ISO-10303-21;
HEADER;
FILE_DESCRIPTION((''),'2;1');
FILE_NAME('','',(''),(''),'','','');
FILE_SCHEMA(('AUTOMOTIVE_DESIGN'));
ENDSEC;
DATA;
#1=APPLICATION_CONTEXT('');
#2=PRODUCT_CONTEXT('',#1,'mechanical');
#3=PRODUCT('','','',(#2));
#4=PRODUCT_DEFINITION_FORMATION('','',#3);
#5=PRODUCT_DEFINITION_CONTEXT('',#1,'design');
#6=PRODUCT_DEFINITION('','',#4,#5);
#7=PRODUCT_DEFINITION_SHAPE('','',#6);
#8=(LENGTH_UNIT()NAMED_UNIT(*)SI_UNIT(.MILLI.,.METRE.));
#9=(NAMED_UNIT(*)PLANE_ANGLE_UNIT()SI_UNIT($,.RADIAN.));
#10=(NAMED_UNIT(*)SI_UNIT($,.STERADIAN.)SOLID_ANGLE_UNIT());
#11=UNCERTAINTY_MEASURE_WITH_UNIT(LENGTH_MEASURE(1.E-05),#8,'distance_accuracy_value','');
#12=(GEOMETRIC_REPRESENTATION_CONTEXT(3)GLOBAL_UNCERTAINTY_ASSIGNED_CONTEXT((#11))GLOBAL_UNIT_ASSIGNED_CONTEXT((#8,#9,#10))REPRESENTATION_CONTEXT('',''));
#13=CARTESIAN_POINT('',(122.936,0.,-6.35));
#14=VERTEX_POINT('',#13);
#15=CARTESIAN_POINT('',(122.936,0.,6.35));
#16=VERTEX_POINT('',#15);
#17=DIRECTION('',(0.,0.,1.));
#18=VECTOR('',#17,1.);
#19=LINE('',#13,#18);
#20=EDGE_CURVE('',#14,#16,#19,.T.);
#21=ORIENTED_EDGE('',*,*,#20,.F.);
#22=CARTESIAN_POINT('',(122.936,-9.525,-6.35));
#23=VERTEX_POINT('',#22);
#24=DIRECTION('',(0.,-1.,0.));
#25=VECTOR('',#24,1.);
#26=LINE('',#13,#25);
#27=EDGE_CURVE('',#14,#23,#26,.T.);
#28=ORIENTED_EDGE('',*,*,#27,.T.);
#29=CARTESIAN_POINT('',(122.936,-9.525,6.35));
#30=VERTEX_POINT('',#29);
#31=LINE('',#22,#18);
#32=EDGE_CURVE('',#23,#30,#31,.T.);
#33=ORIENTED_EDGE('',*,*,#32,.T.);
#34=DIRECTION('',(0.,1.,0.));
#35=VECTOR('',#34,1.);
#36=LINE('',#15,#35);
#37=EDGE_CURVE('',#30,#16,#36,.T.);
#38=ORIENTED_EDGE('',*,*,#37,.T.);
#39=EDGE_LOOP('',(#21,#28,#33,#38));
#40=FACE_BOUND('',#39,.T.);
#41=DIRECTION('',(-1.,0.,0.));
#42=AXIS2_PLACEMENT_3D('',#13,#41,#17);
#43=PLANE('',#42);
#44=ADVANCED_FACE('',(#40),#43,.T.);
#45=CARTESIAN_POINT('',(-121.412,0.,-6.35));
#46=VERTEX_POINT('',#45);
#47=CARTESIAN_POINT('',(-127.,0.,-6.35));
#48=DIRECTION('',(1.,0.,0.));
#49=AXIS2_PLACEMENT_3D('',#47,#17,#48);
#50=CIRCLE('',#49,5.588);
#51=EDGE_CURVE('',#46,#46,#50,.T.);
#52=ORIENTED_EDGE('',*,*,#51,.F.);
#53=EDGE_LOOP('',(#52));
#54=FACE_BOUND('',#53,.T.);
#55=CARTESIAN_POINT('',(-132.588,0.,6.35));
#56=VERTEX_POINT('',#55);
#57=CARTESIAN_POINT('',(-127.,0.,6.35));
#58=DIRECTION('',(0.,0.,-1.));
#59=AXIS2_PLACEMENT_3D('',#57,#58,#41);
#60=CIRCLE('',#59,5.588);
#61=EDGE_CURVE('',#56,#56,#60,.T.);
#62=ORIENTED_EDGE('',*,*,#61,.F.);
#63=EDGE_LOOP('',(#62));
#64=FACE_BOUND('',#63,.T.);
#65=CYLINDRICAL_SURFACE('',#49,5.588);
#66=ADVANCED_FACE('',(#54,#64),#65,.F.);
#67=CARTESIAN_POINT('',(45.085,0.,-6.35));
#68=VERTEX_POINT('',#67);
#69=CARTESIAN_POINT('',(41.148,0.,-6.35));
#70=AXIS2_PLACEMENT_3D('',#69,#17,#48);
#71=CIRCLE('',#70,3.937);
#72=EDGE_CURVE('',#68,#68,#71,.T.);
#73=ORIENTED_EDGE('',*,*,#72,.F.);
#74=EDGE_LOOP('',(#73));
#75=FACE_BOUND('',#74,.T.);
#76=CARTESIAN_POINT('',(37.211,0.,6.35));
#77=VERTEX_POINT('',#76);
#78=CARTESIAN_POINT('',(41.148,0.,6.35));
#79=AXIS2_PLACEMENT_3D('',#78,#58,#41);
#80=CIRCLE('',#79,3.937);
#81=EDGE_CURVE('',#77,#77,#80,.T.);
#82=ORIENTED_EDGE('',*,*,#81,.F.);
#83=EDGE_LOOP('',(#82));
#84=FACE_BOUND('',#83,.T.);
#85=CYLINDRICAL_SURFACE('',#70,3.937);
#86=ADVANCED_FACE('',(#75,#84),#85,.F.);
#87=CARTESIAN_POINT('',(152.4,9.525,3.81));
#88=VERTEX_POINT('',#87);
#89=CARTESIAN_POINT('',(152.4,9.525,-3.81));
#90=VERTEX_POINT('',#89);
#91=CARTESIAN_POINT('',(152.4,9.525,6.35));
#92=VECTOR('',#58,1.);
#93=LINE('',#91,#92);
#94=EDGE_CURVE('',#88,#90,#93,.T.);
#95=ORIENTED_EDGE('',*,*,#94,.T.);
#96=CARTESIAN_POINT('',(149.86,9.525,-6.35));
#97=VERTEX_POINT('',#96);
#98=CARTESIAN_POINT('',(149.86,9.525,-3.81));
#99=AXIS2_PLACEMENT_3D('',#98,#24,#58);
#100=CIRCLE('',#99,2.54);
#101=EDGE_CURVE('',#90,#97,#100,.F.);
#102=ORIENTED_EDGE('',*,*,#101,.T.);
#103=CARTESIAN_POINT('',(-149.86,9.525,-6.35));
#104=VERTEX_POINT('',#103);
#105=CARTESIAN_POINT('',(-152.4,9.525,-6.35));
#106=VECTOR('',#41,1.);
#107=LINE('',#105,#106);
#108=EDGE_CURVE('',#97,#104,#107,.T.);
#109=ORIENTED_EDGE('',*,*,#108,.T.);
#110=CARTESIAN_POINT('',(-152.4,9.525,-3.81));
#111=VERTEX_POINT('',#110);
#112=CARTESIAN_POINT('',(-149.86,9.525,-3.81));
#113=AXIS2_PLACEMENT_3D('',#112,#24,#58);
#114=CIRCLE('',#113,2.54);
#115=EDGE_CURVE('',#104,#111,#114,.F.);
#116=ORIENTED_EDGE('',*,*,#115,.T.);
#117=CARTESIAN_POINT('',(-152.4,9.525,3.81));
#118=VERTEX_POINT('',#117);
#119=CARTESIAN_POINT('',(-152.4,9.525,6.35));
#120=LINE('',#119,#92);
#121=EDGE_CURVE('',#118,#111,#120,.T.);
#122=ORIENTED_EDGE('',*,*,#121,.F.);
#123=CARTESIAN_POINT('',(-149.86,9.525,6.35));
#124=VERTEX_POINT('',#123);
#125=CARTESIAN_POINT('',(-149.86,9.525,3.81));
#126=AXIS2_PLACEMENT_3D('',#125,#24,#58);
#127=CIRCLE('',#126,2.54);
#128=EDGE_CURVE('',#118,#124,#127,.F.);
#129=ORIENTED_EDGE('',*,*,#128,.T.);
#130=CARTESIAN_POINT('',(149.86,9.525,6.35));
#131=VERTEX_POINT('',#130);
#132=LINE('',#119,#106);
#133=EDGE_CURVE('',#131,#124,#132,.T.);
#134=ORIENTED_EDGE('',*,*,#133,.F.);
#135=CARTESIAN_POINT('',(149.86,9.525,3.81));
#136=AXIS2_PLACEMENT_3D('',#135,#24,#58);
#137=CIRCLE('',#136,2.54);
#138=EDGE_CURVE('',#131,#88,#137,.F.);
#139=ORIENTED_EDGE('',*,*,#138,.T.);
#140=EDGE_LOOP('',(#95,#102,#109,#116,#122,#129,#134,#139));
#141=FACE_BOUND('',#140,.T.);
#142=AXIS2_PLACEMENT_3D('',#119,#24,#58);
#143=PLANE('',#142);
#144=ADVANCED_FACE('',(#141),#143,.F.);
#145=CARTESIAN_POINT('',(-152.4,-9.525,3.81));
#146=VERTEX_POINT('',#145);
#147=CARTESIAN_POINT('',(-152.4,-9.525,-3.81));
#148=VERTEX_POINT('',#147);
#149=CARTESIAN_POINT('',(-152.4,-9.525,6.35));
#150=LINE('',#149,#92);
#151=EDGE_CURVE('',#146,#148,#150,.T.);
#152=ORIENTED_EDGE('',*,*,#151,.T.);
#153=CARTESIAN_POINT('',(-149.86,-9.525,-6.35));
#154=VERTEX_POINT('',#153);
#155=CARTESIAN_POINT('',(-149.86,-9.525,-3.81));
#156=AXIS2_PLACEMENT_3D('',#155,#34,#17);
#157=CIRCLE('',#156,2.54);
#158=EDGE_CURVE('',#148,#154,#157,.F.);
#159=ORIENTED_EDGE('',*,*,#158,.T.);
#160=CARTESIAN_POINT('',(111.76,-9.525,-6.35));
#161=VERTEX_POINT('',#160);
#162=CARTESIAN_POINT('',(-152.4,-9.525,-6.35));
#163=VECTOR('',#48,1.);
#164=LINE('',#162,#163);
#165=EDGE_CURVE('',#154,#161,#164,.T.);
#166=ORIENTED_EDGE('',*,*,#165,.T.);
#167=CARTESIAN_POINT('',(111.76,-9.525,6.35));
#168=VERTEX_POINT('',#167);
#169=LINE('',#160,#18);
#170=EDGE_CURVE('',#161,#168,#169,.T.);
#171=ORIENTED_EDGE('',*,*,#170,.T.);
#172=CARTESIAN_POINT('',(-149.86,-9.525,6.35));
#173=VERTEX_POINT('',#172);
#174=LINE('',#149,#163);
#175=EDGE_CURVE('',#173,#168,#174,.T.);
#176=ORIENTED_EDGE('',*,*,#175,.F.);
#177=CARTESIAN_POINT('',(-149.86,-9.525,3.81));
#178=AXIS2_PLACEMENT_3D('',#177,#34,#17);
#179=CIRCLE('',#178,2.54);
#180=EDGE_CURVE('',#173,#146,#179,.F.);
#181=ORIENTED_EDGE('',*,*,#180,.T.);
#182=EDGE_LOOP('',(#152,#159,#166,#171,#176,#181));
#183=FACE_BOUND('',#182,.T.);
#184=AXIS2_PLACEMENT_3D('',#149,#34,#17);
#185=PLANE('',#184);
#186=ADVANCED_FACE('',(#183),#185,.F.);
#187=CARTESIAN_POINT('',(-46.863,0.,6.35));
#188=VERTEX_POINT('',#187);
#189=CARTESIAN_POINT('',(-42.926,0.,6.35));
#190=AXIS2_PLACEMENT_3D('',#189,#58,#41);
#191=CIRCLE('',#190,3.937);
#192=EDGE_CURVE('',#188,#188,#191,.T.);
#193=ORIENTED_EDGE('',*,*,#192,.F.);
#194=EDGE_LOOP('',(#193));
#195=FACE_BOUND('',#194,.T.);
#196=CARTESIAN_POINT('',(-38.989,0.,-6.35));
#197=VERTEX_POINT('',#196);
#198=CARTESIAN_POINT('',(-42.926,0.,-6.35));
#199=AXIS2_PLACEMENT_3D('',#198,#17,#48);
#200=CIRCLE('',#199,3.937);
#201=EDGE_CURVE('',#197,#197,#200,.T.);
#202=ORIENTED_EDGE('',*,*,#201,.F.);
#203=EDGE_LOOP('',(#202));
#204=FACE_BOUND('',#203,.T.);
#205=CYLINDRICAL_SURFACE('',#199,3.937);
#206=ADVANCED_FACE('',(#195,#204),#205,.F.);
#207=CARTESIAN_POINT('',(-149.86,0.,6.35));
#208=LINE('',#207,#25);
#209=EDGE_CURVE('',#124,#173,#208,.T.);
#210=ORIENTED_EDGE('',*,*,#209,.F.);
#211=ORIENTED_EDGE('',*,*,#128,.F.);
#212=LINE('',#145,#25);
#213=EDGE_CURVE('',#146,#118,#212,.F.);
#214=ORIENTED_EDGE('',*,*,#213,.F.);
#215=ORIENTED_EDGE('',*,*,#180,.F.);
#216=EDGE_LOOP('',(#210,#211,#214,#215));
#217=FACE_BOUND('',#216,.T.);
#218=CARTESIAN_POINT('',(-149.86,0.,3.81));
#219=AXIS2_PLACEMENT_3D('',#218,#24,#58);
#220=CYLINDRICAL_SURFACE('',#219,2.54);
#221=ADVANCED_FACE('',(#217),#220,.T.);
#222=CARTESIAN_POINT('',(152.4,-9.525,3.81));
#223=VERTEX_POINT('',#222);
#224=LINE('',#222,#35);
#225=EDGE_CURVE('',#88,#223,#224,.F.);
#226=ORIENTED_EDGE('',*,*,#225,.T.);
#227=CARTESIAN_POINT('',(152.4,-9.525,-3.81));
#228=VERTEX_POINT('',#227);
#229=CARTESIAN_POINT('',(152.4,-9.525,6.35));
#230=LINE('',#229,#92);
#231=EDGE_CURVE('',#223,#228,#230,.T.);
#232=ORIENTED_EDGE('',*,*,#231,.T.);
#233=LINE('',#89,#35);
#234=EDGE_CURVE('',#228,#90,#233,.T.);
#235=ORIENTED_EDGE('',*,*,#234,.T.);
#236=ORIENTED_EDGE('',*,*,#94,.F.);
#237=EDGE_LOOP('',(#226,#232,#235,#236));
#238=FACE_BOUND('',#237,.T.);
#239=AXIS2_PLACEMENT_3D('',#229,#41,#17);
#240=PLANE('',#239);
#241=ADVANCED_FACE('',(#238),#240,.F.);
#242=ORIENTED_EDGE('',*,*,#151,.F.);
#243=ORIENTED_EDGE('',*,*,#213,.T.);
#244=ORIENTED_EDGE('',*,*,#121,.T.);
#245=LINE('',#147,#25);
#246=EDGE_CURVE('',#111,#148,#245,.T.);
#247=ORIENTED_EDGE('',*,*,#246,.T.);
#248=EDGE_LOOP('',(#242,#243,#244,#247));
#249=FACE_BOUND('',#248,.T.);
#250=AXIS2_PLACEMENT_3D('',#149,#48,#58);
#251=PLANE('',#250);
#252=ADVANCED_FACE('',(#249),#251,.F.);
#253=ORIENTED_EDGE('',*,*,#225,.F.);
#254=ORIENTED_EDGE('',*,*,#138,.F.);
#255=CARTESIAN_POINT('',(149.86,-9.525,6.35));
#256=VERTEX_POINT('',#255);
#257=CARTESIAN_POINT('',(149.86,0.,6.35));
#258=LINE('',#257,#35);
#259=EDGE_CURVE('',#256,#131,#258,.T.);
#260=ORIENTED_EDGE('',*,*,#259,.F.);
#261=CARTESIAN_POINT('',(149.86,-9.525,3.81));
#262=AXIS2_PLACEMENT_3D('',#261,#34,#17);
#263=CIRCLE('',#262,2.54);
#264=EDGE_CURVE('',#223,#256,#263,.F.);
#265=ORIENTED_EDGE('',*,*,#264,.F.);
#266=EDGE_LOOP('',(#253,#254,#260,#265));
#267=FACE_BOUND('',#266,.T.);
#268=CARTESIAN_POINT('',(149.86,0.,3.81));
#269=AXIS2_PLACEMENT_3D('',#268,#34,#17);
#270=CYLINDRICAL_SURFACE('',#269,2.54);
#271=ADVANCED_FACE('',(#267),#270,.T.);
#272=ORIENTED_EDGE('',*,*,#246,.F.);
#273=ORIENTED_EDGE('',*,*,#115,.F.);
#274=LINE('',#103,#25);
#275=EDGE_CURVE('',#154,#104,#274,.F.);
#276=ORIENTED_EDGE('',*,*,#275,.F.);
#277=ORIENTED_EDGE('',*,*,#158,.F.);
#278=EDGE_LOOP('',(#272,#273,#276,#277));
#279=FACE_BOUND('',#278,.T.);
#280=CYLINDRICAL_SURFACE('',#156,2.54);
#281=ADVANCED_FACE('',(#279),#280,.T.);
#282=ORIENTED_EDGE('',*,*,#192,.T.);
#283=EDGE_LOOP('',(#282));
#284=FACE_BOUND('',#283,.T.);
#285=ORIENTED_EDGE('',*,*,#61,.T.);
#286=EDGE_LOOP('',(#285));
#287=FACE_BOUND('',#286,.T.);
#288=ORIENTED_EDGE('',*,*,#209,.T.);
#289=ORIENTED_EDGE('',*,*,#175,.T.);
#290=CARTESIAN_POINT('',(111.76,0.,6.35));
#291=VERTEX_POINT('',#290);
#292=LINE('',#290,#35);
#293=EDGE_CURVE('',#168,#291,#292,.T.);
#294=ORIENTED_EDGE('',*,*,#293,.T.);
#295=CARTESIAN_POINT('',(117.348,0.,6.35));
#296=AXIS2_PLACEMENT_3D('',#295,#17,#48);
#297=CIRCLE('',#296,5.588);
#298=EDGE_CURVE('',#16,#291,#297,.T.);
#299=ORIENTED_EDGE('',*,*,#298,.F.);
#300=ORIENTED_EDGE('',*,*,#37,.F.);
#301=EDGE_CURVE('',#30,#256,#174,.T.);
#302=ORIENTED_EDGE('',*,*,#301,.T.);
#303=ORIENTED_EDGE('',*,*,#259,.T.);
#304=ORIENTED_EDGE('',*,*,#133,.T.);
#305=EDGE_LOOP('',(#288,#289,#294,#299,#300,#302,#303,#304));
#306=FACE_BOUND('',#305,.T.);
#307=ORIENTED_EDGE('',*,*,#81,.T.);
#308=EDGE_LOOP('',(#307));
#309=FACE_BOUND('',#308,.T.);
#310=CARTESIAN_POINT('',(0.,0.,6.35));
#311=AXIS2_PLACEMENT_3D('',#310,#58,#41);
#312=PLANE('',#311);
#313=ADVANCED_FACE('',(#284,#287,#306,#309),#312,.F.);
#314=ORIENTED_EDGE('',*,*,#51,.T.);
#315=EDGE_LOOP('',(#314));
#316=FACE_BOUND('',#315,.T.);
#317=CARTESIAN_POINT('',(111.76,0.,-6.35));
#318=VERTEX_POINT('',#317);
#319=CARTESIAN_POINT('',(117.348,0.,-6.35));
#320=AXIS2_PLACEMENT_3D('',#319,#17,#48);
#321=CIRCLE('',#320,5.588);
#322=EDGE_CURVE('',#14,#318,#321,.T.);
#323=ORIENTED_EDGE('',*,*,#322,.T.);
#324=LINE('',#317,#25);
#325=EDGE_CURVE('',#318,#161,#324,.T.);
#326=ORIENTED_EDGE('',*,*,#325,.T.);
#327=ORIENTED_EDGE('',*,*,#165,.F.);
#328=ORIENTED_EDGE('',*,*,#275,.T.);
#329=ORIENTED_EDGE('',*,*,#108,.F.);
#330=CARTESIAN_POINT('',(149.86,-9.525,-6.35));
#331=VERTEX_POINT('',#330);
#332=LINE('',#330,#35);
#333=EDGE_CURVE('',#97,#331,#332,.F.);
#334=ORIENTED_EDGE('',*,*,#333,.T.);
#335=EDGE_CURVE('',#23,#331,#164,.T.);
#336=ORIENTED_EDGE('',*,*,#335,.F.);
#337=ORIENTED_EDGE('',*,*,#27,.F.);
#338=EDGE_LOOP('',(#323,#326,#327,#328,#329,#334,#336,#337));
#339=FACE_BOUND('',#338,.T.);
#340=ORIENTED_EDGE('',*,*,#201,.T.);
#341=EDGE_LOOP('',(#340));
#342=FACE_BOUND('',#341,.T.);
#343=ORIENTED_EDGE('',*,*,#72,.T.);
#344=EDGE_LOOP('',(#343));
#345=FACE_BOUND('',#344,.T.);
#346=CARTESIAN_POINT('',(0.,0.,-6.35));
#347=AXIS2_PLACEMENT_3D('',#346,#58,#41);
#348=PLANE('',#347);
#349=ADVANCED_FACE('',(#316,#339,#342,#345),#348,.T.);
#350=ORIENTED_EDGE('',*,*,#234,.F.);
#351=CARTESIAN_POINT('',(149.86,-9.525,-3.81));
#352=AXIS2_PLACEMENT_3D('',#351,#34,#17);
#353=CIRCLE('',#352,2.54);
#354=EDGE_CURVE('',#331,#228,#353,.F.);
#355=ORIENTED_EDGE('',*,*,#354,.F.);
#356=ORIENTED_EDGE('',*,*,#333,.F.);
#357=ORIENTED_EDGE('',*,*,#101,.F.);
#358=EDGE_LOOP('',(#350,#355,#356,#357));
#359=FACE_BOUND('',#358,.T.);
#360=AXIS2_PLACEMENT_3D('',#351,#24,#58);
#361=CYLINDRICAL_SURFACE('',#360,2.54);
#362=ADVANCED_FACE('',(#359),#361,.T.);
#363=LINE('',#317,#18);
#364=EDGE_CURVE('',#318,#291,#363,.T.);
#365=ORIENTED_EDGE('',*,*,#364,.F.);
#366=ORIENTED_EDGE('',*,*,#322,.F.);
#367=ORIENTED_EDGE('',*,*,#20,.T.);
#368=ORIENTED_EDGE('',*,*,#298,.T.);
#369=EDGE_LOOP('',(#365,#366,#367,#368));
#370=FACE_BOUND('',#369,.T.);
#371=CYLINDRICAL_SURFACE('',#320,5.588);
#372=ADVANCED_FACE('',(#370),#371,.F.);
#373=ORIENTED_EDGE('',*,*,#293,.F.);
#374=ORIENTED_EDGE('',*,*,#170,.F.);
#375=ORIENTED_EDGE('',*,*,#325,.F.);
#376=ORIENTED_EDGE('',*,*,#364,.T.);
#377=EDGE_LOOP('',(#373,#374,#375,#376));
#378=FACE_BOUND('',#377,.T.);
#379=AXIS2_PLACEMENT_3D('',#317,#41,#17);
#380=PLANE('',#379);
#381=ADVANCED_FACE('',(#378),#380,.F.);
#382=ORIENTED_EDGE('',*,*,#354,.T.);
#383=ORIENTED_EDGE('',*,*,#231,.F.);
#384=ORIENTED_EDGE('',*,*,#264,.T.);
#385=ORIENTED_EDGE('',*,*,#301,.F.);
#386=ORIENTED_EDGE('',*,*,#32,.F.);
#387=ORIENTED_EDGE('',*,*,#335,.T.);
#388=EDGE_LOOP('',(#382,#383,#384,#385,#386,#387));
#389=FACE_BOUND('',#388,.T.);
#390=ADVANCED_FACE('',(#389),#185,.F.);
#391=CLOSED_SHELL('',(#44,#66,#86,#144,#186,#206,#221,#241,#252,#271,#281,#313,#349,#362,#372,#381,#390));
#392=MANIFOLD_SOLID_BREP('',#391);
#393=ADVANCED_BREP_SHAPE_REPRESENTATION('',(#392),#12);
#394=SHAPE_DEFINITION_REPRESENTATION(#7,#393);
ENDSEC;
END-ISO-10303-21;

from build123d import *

# Parameters (mm, degrees)
SKETCH1_W               = 304.8
SKETCH1_H               = 19.05
BOSS_EXTRUDE1_DEPTH     = 6.35
CUT_EXTRUDE1_DEPTH      = 154.224592103
CUT_EXTRUDE1_DEPTH_BACK = 154.224592103
SKETCH2_R               = 5.588
SKETCH2_R_2             = 3.937
FILLET1_R               = 2.54


with BuildPart() as part:
    # Sketch1 → Boss-Extrude1 (new, symmetric)
    with BuildSketch(Plane.XY):
        Rectangle(SKETCH1_W, SKETCH1_H)
    extrude(amount=BOSS_EXTRUDE1_DEPTH, both=True)

    # Sketch2 → Cut-Extrude1 (cut, two sides: drawn at the far end of the back side and taken through both)
    with BuildSketch(Plane.XY.offset(6.35).offset(-CUT_EXTRUDE1_DEPTH_BACK)):
        with BuildLine():
            Line((122.936, -9.525), (122.936, 0))
            ThreePointArc((122.936, 0), (117.348, 5.588), (111.76, 0))
            Line((111.76, 0), (111.76, -9.525))
            Line((111.76, -9.525), (122.936, -9.525))
        make_face()
        with Locations((-127, 0)):
            Circle(SKETCH2_R)
        with Locations((-42.926, 0)):
            Circle(SKETCH2_R_2)
        with Locations((41.148, 0)):
            Circle(SKETCH2_R_2)
    extrude(amount=CUT_EXTRUDE1_DEPTH + CUT_EXTRUDE1_DEPTH_BACK, mode=Mode.SUBTRACT)

    # Fillet1
    fillet1_edges = [part.edges().sort_by_distance(p)[0] for p in [
        (-152.4, 0, 6.35),
        (152.4, 0, 6.35),
        (-152.4, 0, -6.35),
        (152.4, 0, -6.35),
    ]]
    fillet(fillet1_edges, radius=FILLET1_R)


solid = part.part
